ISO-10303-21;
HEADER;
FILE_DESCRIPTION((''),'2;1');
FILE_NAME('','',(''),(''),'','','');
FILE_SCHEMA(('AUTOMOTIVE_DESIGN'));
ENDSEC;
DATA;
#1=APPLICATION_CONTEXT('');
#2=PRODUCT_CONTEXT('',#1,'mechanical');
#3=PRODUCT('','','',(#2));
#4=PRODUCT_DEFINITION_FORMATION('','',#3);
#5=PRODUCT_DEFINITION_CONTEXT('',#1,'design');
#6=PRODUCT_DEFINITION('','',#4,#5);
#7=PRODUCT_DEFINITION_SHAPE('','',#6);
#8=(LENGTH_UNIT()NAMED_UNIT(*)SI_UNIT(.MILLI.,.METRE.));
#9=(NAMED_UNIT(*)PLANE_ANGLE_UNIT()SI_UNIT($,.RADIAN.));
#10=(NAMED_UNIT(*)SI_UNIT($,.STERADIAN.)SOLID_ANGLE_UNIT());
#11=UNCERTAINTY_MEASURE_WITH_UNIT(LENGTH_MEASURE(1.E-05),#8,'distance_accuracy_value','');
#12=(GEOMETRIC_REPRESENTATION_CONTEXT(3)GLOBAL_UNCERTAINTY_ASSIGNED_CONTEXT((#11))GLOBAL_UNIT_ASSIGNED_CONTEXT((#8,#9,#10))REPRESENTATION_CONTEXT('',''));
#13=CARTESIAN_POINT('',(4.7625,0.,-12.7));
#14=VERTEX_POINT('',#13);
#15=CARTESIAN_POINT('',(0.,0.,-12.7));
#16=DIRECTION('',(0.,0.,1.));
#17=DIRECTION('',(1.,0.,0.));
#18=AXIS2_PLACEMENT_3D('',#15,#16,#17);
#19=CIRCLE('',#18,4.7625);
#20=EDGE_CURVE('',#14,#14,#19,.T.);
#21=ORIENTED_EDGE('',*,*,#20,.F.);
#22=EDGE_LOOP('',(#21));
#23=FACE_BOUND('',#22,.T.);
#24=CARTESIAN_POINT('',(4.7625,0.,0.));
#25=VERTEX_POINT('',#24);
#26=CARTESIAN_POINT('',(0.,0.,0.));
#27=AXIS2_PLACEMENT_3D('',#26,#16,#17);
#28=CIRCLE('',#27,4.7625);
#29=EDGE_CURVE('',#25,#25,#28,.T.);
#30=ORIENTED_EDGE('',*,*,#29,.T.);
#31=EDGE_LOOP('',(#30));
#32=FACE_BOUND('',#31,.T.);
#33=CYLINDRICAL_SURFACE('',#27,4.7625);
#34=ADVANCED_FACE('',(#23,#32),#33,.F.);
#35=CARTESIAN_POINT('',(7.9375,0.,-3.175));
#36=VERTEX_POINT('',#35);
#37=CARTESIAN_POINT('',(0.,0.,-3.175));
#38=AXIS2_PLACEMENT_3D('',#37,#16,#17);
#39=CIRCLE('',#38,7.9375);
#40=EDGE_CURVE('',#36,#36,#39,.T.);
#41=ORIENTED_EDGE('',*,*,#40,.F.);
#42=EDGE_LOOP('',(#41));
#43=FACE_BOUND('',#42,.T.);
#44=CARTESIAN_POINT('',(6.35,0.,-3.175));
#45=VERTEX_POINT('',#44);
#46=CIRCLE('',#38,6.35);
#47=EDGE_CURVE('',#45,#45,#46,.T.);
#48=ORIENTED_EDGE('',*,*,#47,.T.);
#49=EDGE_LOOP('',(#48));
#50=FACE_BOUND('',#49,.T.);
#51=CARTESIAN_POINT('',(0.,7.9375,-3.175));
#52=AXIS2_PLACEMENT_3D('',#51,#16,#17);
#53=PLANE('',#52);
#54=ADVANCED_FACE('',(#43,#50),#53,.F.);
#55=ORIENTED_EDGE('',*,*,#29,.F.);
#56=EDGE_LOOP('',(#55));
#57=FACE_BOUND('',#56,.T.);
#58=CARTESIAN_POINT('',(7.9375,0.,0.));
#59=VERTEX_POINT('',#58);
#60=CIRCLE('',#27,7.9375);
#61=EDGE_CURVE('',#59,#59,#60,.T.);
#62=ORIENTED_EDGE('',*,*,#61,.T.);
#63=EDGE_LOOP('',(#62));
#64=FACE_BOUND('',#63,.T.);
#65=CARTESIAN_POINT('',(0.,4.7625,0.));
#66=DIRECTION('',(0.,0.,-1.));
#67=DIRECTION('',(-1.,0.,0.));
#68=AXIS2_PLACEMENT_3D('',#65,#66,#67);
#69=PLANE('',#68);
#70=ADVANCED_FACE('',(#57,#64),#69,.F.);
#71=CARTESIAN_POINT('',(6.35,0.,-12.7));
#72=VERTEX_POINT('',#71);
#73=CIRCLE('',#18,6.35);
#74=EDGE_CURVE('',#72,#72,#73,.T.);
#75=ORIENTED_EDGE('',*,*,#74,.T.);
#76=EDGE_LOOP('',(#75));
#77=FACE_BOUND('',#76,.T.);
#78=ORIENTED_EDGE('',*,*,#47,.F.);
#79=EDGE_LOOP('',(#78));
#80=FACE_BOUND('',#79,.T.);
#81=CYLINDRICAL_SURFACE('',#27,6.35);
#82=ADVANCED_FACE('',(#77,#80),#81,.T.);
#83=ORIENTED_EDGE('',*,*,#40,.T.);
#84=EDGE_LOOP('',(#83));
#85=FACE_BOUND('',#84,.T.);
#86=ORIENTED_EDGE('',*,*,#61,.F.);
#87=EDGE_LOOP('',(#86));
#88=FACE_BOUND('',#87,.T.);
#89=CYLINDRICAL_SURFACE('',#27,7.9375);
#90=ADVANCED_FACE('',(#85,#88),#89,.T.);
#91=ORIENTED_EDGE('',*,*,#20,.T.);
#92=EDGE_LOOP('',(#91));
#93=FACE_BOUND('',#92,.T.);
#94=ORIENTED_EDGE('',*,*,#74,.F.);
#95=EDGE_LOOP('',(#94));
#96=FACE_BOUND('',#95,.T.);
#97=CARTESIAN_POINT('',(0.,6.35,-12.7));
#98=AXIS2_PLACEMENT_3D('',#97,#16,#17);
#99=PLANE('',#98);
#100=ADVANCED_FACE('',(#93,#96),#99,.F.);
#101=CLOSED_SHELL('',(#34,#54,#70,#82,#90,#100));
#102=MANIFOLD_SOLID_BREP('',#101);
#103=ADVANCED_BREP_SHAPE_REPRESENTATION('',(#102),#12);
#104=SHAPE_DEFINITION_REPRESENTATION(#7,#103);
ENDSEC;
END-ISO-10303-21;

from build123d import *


with BuildPart() as part:
    # Sketch1 → Revolve1 (revolve)
    with BuildSketch(Plane(origin=(0, 0, 0), x_dir=(0, 0, -1), z_dir=(1, 0, 0)), mode=Mode.PRIVATE) as revolve1_sk:
        Polygon((0, 7.9375), (3.175, 7.9375), (3.175, 6.35), (12.7, 6.35), (12.7, 4.7625), (0, 4.7625), align=None)
    revolve(revolve1_sk.sketch.rotate(Axis((0, 0, 0), (0, 0, -1)), 90), axis=Axis((0, 0, 0), (0, 0, -1)))


solid = part.part
